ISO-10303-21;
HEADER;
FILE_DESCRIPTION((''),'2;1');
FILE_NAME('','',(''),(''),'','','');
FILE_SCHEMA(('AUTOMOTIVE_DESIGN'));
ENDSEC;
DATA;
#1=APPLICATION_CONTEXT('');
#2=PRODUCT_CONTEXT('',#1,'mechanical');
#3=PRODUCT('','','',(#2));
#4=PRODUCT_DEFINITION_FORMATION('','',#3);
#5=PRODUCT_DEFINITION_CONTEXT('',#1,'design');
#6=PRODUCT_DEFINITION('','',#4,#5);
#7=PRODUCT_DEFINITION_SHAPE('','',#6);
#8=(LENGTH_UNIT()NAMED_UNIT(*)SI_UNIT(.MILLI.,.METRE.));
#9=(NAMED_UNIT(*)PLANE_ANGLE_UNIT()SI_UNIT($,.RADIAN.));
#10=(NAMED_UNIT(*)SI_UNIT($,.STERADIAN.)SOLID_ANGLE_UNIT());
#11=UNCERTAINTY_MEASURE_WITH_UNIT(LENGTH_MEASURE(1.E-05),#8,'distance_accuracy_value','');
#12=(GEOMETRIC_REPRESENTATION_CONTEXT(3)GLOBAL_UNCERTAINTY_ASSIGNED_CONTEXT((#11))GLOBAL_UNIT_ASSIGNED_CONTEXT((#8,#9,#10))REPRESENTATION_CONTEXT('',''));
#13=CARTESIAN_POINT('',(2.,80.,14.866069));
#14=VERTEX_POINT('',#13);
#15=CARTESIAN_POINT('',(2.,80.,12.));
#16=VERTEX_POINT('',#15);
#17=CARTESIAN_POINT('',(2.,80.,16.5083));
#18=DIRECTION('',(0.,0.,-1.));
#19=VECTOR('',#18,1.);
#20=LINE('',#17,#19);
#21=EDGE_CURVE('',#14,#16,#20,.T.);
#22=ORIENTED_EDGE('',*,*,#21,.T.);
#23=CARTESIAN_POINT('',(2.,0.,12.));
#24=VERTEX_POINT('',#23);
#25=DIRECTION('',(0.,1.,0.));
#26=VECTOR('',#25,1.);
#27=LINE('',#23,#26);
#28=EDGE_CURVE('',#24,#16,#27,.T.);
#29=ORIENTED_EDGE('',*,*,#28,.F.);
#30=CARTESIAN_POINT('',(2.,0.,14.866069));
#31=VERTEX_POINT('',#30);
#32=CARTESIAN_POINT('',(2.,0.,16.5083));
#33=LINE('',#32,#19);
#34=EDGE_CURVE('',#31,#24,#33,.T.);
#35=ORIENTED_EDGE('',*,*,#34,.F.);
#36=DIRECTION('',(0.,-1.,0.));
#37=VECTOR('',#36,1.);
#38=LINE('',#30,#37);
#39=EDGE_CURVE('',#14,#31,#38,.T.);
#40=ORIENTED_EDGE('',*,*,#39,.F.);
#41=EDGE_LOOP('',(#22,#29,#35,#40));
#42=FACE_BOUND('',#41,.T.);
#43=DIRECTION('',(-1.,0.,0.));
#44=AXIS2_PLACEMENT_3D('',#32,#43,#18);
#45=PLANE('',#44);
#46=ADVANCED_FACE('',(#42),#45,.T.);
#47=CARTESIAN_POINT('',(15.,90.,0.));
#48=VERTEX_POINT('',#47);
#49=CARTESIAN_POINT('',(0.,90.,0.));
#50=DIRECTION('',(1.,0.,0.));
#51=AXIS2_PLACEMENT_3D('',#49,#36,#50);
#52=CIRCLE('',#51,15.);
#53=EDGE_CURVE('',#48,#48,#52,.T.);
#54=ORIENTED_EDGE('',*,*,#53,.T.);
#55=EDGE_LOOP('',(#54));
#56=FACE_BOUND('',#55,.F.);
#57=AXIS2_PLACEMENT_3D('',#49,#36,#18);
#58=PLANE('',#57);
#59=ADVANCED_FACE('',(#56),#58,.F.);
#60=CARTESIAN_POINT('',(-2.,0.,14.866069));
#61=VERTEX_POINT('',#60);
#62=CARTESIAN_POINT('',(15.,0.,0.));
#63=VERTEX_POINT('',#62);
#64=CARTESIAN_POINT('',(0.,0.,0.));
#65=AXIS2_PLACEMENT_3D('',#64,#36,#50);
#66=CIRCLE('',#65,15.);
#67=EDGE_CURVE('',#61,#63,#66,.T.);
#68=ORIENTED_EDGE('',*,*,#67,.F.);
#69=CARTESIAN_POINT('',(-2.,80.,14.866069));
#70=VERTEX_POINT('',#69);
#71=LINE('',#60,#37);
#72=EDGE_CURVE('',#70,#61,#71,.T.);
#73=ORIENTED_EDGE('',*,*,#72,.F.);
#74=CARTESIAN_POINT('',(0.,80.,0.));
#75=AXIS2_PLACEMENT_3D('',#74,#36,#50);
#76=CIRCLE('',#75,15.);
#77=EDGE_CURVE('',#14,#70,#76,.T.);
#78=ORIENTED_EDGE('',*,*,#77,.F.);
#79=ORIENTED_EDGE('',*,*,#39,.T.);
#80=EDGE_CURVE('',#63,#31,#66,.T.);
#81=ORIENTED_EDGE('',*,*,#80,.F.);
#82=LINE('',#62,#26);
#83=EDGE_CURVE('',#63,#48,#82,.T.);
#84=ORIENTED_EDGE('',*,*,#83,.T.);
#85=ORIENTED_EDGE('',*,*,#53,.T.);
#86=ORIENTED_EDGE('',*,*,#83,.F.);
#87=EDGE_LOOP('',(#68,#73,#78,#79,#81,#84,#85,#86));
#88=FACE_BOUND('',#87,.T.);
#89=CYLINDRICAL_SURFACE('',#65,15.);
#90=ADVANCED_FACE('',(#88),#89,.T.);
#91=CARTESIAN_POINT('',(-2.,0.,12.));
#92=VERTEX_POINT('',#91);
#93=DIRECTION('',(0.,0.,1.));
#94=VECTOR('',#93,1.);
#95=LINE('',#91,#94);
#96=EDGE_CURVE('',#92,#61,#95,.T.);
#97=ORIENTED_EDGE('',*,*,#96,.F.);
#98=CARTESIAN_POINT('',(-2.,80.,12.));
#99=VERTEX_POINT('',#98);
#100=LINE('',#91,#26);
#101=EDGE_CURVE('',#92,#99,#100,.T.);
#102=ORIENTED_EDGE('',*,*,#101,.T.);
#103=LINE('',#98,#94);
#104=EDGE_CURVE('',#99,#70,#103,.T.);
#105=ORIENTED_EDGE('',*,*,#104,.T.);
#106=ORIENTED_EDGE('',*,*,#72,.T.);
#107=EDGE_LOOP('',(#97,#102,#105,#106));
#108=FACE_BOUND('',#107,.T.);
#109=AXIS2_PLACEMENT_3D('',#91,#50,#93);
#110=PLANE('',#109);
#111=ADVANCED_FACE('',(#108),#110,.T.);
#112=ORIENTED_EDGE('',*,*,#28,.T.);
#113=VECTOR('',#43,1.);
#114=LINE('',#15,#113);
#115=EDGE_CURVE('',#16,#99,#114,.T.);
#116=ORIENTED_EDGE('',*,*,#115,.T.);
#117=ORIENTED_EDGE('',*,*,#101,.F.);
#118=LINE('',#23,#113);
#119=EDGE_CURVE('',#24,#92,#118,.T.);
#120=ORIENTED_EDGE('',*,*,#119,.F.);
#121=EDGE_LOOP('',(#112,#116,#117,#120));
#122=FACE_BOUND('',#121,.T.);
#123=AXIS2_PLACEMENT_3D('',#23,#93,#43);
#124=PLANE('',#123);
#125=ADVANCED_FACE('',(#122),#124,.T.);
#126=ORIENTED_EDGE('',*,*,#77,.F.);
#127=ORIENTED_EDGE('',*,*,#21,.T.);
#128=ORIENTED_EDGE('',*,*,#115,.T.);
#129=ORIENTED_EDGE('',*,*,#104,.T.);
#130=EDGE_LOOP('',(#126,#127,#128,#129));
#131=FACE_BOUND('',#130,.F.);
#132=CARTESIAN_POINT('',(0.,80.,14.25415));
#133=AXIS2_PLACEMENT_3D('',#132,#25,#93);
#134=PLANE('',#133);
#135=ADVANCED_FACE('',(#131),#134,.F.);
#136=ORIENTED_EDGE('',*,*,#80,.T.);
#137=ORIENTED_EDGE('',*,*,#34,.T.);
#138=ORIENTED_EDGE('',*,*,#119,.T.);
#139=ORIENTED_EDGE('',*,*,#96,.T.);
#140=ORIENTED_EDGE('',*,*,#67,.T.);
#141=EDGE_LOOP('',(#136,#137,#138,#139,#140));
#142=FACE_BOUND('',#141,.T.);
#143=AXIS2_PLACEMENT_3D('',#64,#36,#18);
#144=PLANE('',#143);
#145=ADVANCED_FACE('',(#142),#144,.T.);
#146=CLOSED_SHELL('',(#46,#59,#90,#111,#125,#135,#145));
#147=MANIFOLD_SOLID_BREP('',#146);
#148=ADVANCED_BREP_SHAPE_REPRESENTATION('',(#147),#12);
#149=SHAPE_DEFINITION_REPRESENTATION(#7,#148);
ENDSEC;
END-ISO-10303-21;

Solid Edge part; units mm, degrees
sketch "Sketch1" plane through (0, 0, 0) normal (0, -1, 0) x (1, 0, 0)
  circle A0 centre (0, 0) radius 15
extrude "Protrusion1" add sketch "Sketch1" against normal blind 90
sketch "Sketch2" plane through (0, 0, 0) normal (0, -1, 0) x (1, 0, 0)
  line L0 (-2, 16.5083) -> (2, 16.5083)
  line L1 (2, 16.5083) -> (2, 12)
  line L2 (2, 12) -> (-2, 12)
  line L3 (-2, 12) -> (-2, 16.5083)
  dimension "D1" = 4
  dimension "D2" = 3
extrude "ExtrudedCutout_1" cut sketch "Sketch2" against normal blind 80
properties part number "1"
